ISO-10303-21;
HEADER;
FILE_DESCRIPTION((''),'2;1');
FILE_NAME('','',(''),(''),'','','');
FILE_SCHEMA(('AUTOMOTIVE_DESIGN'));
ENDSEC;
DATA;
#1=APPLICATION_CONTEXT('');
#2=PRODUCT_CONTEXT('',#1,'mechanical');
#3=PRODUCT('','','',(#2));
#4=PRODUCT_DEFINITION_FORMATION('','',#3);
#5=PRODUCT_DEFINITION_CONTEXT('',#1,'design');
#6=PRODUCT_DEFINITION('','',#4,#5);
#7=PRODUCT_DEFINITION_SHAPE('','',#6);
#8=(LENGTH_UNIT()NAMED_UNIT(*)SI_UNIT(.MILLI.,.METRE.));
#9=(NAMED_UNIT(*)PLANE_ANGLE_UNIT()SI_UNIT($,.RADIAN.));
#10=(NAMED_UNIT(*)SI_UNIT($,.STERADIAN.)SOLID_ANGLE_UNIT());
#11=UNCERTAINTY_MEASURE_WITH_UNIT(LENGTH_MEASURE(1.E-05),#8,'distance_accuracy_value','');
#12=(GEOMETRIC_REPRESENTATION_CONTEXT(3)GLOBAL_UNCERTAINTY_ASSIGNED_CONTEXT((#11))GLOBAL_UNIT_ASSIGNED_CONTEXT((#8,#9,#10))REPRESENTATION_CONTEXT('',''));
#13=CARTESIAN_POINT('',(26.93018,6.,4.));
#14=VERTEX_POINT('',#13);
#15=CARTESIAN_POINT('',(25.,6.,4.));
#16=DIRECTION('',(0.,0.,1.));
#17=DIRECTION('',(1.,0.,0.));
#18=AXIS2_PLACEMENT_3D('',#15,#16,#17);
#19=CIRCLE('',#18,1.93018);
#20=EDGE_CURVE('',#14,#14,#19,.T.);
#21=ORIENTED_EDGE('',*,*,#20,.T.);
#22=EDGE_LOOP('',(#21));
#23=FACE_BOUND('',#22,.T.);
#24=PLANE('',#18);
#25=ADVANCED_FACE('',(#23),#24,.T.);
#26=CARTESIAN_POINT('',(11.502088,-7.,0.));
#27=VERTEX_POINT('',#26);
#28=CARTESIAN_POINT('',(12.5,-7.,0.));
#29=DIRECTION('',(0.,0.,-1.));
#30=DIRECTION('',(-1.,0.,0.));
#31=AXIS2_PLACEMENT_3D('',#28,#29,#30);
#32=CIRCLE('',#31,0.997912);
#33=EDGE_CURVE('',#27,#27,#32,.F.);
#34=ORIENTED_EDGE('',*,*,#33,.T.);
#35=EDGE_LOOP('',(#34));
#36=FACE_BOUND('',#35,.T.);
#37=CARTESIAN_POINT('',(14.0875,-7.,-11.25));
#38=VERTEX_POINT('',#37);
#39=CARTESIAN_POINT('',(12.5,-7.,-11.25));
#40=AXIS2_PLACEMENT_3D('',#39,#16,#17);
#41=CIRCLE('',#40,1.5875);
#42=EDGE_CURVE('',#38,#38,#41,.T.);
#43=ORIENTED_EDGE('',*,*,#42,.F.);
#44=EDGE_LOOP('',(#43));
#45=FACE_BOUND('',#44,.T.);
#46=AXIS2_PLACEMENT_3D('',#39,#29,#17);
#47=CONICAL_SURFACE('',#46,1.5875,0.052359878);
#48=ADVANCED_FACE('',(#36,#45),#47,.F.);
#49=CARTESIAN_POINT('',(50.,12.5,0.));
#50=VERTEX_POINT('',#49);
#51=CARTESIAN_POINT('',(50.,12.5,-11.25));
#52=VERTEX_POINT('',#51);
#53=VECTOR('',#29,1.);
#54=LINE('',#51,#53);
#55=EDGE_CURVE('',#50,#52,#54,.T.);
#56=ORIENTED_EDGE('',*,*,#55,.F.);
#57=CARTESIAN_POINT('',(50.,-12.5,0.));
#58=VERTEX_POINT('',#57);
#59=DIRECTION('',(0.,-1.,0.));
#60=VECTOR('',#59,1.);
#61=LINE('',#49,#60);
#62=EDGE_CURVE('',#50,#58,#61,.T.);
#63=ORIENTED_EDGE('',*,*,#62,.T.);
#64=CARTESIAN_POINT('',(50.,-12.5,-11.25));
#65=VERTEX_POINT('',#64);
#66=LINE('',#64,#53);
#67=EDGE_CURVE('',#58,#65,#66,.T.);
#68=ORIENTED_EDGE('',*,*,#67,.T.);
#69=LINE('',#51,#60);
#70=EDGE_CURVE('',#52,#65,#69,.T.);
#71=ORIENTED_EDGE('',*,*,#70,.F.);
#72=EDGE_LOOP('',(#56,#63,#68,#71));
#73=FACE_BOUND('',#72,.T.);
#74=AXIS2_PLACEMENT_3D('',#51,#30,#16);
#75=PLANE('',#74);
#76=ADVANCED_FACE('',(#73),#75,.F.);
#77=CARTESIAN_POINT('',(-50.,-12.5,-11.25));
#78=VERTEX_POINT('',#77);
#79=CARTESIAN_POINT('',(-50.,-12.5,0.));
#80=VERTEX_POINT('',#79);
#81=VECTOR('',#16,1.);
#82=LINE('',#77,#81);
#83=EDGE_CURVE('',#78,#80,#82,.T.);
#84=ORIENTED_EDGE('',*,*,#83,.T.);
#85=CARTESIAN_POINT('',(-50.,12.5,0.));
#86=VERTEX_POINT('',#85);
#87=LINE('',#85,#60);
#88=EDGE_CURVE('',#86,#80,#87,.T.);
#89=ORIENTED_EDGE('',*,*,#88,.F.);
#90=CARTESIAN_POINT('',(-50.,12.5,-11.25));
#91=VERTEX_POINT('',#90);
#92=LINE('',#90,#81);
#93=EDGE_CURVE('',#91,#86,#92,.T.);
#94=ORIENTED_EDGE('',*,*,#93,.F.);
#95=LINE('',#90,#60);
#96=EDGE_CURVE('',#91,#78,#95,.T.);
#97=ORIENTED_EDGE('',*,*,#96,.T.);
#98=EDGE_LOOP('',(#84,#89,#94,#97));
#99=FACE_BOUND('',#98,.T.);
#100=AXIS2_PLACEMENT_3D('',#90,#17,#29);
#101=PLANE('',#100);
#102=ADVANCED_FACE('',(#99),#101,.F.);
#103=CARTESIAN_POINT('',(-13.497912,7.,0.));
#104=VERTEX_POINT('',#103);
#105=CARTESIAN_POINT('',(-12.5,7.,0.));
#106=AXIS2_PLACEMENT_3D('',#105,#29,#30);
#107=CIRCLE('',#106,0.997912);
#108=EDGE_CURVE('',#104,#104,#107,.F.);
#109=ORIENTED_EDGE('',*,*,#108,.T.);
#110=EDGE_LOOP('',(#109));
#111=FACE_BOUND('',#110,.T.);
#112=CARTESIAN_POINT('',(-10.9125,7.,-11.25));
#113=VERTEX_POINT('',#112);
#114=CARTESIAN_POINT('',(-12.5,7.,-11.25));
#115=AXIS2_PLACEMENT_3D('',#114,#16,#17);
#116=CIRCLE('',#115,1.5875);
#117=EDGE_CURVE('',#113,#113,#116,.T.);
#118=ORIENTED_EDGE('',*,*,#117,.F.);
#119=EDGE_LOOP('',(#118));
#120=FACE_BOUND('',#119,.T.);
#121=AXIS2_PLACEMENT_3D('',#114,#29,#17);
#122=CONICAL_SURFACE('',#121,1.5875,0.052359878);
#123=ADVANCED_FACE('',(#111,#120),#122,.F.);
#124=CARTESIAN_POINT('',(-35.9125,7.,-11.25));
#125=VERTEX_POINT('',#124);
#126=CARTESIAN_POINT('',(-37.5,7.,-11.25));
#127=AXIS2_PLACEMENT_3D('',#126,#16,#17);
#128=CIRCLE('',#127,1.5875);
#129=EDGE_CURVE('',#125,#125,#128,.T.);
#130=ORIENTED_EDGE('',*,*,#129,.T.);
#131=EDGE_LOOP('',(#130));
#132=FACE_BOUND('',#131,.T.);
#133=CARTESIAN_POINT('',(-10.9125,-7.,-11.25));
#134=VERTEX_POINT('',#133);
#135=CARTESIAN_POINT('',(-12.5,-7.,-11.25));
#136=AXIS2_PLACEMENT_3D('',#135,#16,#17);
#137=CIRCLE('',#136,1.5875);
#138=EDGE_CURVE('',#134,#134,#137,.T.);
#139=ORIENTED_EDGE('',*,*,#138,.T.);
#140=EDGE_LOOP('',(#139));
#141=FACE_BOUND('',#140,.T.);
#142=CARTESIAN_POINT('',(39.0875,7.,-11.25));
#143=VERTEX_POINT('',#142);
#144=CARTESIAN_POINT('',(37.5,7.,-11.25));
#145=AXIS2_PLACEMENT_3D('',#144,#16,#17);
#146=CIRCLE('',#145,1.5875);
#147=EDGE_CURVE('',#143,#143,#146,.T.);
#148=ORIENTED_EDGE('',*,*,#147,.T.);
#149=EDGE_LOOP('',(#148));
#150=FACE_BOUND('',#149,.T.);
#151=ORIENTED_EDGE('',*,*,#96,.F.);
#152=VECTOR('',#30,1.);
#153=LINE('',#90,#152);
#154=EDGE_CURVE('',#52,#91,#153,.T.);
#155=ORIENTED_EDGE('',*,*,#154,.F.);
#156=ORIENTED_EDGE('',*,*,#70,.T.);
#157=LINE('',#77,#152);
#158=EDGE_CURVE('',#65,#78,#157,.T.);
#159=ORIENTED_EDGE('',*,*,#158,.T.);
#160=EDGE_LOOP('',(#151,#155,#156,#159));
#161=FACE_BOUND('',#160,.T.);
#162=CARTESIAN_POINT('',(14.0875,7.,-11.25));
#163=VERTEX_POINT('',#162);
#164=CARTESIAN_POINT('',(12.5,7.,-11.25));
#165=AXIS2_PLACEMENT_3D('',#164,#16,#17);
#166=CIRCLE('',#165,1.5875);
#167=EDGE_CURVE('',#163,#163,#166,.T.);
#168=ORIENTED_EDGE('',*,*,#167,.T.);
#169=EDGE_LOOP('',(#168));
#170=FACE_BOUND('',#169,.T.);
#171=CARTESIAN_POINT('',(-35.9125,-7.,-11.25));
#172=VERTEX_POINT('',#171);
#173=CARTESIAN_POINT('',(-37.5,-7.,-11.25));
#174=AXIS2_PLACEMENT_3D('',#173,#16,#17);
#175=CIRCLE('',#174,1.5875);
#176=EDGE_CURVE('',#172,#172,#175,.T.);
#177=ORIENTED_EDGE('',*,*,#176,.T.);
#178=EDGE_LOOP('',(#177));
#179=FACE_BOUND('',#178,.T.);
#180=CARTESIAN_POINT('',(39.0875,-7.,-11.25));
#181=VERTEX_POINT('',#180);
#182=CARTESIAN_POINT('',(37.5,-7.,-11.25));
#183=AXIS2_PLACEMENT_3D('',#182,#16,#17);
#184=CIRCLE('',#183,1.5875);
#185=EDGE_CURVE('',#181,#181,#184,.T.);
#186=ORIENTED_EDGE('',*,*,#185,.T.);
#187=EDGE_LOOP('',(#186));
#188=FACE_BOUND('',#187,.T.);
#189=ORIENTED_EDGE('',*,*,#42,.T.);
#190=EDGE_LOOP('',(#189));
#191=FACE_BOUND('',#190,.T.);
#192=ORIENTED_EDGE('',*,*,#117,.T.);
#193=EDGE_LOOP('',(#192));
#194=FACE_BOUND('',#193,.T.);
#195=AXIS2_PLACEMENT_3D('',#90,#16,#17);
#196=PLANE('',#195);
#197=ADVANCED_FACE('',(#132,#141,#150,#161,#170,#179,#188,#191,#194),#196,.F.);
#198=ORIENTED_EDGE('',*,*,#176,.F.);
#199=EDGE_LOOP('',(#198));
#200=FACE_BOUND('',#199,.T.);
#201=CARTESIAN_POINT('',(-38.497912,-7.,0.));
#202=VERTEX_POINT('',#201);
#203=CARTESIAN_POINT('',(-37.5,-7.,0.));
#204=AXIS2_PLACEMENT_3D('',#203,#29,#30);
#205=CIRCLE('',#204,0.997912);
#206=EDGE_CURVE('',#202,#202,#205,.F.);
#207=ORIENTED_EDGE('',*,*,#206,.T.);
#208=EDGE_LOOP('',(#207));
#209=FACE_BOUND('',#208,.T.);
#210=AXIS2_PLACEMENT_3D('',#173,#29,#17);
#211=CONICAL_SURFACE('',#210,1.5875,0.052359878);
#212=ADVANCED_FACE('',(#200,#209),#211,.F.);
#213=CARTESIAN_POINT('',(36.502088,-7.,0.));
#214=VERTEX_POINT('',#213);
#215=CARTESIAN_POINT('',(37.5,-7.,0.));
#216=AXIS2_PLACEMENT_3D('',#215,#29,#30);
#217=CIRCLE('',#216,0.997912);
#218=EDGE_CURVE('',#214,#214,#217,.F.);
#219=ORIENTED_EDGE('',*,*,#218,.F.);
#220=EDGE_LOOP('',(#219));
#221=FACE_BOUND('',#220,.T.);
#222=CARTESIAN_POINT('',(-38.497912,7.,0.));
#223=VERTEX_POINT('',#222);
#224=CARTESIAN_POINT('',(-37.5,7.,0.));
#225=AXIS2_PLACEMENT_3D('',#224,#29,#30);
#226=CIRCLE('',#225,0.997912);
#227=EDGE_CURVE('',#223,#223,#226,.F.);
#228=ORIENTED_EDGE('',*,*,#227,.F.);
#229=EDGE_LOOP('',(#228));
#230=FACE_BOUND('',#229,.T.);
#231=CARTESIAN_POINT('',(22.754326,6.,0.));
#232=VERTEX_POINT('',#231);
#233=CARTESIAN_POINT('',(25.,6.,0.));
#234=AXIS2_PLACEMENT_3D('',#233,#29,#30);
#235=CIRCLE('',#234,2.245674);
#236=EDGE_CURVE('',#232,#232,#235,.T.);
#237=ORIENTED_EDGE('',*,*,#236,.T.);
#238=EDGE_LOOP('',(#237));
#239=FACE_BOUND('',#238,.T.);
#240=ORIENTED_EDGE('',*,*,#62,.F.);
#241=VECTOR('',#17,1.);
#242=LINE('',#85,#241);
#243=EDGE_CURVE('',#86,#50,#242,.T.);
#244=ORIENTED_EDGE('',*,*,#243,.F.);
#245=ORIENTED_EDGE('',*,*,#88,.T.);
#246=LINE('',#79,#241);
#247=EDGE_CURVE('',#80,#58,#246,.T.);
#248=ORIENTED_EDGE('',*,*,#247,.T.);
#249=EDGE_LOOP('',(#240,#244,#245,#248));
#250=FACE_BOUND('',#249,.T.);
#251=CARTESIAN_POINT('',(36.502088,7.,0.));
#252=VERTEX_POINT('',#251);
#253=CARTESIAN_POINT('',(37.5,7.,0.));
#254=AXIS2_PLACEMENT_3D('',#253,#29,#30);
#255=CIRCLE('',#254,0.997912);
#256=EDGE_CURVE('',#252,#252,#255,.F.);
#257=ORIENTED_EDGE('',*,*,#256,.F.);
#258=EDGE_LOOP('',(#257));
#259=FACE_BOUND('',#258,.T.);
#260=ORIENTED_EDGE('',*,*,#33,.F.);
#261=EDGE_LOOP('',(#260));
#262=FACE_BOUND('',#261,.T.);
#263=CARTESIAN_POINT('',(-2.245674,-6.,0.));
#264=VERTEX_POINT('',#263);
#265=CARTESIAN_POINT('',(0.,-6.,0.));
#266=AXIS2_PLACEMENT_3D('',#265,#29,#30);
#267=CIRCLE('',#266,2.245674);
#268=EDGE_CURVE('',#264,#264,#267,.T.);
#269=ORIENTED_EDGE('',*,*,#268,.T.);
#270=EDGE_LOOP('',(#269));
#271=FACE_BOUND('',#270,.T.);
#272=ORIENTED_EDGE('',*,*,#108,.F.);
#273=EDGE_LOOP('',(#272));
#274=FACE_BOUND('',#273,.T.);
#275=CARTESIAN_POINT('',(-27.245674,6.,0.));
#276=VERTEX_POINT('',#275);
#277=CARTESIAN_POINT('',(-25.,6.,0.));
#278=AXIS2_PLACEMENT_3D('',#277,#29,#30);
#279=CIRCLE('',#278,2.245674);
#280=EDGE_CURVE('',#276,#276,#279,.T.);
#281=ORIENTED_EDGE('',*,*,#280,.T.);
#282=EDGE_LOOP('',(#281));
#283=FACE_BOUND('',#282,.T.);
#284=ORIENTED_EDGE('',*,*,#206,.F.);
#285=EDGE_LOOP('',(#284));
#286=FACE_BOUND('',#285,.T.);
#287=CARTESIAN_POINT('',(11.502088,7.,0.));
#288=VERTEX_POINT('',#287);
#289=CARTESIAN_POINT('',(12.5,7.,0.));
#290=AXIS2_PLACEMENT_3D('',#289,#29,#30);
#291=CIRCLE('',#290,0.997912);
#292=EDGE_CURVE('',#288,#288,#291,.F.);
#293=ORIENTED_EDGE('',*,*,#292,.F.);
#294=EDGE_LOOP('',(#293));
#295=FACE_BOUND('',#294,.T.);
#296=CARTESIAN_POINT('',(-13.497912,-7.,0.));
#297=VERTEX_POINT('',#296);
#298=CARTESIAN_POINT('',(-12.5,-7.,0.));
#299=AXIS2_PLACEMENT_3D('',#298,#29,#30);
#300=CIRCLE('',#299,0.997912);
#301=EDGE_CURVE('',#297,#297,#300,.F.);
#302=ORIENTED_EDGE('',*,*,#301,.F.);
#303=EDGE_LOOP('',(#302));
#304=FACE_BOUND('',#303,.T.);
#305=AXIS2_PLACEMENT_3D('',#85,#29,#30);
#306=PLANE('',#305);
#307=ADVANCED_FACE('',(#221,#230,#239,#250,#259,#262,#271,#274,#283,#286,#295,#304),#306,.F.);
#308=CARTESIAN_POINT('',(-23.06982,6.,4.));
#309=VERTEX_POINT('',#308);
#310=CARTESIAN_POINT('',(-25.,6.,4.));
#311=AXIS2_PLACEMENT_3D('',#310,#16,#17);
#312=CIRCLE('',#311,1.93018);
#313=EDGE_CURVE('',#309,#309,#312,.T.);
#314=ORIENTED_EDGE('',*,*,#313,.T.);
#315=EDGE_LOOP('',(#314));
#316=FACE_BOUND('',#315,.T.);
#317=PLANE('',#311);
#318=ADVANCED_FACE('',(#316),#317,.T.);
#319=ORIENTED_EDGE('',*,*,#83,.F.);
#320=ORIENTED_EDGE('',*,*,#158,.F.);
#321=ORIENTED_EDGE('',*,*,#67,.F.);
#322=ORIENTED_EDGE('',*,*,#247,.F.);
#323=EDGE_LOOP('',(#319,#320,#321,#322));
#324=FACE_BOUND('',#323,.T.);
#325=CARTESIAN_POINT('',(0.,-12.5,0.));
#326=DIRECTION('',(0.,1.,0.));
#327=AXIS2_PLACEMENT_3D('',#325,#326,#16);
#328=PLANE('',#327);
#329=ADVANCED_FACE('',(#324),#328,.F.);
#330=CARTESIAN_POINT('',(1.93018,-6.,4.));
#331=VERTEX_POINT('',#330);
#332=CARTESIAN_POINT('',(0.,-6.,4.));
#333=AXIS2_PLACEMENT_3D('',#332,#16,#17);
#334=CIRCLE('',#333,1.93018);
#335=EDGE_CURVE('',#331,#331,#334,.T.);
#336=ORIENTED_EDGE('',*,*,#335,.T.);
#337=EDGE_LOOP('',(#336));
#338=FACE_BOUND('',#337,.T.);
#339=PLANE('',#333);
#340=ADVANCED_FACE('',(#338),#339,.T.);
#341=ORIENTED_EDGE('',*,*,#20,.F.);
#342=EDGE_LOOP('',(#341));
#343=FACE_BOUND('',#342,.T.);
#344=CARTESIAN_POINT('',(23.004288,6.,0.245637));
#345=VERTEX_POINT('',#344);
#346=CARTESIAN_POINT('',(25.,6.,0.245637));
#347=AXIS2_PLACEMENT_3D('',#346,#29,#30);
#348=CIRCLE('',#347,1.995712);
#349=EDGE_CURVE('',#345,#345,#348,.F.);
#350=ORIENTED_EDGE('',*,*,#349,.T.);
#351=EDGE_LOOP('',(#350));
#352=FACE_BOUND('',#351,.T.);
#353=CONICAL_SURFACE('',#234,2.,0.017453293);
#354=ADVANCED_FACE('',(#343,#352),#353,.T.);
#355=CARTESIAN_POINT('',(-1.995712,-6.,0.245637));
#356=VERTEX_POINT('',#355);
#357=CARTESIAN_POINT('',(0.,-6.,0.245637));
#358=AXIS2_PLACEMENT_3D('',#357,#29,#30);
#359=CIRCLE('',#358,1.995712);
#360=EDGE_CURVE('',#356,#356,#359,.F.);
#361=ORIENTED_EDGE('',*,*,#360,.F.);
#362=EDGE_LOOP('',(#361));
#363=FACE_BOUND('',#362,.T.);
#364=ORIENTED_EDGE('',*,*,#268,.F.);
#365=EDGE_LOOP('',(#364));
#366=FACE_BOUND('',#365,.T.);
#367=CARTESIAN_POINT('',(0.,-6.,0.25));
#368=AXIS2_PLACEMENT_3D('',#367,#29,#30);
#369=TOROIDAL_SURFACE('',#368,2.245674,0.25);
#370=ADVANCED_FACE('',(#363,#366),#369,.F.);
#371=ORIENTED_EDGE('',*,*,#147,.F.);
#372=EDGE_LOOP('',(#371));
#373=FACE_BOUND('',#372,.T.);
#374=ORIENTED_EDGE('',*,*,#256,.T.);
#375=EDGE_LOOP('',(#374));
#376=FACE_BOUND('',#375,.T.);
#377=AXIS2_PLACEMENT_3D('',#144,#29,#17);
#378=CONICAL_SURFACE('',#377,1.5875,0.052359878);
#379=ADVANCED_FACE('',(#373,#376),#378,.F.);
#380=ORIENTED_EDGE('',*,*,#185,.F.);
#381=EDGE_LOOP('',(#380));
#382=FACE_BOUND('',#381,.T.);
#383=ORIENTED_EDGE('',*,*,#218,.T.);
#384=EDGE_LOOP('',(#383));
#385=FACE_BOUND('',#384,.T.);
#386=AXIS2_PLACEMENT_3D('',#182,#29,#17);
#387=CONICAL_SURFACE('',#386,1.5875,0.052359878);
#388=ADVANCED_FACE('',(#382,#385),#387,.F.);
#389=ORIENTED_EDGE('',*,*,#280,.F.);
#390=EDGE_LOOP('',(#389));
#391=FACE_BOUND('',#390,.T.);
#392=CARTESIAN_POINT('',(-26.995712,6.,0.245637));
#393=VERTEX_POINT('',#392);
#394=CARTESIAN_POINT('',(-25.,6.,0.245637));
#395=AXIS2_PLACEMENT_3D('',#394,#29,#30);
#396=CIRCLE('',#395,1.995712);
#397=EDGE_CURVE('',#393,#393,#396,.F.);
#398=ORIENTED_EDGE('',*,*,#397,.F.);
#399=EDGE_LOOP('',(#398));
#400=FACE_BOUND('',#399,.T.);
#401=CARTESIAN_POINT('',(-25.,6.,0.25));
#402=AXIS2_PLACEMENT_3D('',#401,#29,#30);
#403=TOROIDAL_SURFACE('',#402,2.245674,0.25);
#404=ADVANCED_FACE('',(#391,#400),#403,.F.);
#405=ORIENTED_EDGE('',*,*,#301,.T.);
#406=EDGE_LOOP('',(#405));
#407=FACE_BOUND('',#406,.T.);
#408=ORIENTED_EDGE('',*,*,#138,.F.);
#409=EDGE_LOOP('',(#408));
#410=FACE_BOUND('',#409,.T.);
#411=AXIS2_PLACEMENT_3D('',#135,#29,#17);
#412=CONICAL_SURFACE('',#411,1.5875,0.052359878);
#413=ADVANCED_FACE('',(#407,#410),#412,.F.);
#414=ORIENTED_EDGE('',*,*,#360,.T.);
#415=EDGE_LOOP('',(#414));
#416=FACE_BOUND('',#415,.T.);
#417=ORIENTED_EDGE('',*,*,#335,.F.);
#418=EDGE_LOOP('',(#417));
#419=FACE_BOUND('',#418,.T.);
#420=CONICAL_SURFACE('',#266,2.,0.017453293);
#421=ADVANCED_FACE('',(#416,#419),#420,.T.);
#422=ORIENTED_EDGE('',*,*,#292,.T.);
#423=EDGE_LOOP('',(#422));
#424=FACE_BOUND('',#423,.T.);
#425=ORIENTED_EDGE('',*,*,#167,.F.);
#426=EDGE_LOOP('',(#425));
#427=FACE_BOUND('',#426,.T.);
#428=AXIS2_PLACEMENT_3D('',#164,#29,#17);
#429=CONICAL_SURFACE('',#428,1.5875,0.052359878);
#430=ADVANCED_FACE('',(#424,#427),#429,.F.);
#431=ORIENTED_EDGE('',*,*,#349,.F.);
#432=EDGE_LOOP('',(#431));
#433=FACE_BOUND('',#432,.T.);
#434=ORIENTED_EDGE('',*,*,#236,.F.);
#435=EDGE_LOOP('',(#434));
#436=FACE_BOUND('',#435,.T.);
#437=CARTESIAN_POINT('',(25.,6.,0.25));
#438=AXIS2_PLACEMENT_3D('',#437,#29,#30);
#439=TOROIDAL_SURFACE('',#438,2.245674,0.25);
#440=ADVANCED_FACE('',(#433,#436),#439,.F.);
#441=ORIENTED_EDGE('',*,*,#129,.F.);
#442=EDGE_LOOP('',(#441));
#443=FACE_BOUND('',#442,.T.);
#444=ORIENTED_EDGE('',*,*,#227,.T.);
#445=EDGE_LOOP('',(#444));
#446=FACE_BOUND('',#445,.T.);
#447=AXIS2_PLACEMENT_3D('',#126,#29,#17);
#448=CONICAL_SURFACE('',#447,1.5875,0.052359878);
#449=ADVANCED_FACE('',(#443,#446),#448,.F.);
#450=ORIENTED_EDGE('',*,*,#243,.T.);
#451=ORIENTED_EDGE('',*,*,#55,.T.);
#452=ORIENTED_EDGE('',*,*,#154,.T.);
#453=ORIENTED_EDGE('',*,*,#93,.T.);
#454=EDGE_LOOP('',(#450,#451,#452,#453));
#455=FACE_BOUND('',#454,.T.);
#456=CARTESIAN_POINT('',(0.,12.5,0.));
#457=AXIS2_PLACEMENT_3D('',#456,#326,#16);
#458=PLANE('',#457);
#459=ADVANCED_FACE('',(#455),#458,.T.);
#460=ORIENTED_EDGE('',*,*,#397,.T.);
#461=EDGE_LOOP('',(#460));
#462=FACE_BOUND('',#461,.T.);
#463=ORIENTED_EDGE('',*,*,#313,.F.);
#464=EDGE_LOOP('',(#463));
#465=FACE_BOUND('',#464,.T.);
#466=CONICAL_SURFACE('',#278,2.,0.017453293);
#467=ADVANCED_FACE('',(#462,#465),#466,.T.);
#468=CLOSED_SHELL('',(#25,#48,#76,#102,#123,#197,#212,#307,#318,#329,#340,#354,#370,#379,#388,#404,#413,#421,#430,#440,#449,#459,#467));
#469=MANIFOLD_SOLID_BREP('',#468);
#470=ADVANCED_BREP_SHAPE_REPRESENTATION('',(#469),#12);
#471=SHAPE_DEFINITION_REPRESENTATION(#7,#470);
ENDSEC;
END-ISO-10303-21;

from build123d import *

# Parameters (mm, degrees)
SKETCH1_W           = 100
SKETCH1_H           = 11.25
BOSS_EXTRUDE1_DEPTH = 12.5
SKETCH3_R           = 2
BOSS_EXTRUDE2_DEPTH = 4
DRAFT1_ANGLE        = 1
SKETCH4_R           = 1.5875
CUT_EXTRUDE3_DEPTH  = 12.25
LPATTERN2_COUNT     = 4
LPATTERN2_PITCH     = 25
DRAFT3_ANGLE        = 3
FILLET2_R           = 0.25


with BuildPart() as part:
    # Sketch1 → Boss-Extrude1 (new body, symmetric)
    with BuildSketch(Plane(origin=(0, 0, 0), x_dir=(1, 0, 0), z_dir=(0, 1, 0))):
        with Locations((0, 5.625)):
            Rectangle(SKETCH1_W, SKETCH1_H)
    extrude(amount=BOSS_EXTRUDE1_DEPTH, both=True)

    # Sketch3 → Boss-Extrude2 (add)
    with BuildSketch(Plane.XY):
        with Locations((-25, 6)):
            Circle(SKETCH3_R)
        with Locations((25, 6)):
            Circle(SKETCH3_R)
        with Locations((0, -6)):
            Circle(SKETCH3_R)
    extrude(amount=BOSS_EXTRUDE2_DEPTH)

    # Draft1
    draft1_faces = [part.faces().sort_by_distance(p)[0] for p in [
        (23, 6, 2),
        (-2, -6, 2),
        (-27, 6, 2),
    ]]
    draft(draft1_faces, Plane(origin=(-50, 12.5, 0), x_dir=(1, 0, 0), z_dir=(0, 0, 1)), DRAFT1_ANGLE)

    # Sketch4 → Cut-Extrude3 (cut, through all)
    with BuildSketch(Plane.XY):
        with Locations((-37.5, 7)):
            Circle(SKETCH4_R)
        with Locations((-37.5, -7)):
            Circle(SKETCH4_R)
    cut_extrude3 = extrude(amount=-CUT_EXTRUDE3_DEPTH, mode=Mode.SUBTRACT)

    # LPattern2: Cut-Extrude3 ×4
    with Locations(*[(i * LPATTERN2_PITCH, 0, 0) for i in range(1, LPATTERN2_COUNT)]):
        add(cut_extrude3, mode=Mode.SUBTRACT)

    # Draft3
    draft3_faces = [part.faces().sort_by_distance(p)[0] for p in [
        (35.9125, 7, -5.625),
        (35.9125, -7, -5.625),
        (10.9125, 7, -5.625),
        (10.9125, -7, -5.625),
        (-14.0875, -7, -5.625),
        (-14.0875, 7, -5.625),
        (-39.0875, -7, -5.625),
        (-39.0875, 7, -5.625),
    ]]
    draft(draft3_faces, Plane(origin=(-50, 12.5, -11.25), x_dir=(-1, 0, 0), z_dir=(0, 0, -1)), DRAFT3_ANGLE)

    # Fillet2
    fillet2_edges = [part.edges().sort_by_distance(p)[0] for p in [
        (-27, 6, 0),
        (23, 6, 0),
        (-2, -6, 0),
    ]]
    fillet(fillet2_edges, radius=FILLET2_R)


solid = part.part
